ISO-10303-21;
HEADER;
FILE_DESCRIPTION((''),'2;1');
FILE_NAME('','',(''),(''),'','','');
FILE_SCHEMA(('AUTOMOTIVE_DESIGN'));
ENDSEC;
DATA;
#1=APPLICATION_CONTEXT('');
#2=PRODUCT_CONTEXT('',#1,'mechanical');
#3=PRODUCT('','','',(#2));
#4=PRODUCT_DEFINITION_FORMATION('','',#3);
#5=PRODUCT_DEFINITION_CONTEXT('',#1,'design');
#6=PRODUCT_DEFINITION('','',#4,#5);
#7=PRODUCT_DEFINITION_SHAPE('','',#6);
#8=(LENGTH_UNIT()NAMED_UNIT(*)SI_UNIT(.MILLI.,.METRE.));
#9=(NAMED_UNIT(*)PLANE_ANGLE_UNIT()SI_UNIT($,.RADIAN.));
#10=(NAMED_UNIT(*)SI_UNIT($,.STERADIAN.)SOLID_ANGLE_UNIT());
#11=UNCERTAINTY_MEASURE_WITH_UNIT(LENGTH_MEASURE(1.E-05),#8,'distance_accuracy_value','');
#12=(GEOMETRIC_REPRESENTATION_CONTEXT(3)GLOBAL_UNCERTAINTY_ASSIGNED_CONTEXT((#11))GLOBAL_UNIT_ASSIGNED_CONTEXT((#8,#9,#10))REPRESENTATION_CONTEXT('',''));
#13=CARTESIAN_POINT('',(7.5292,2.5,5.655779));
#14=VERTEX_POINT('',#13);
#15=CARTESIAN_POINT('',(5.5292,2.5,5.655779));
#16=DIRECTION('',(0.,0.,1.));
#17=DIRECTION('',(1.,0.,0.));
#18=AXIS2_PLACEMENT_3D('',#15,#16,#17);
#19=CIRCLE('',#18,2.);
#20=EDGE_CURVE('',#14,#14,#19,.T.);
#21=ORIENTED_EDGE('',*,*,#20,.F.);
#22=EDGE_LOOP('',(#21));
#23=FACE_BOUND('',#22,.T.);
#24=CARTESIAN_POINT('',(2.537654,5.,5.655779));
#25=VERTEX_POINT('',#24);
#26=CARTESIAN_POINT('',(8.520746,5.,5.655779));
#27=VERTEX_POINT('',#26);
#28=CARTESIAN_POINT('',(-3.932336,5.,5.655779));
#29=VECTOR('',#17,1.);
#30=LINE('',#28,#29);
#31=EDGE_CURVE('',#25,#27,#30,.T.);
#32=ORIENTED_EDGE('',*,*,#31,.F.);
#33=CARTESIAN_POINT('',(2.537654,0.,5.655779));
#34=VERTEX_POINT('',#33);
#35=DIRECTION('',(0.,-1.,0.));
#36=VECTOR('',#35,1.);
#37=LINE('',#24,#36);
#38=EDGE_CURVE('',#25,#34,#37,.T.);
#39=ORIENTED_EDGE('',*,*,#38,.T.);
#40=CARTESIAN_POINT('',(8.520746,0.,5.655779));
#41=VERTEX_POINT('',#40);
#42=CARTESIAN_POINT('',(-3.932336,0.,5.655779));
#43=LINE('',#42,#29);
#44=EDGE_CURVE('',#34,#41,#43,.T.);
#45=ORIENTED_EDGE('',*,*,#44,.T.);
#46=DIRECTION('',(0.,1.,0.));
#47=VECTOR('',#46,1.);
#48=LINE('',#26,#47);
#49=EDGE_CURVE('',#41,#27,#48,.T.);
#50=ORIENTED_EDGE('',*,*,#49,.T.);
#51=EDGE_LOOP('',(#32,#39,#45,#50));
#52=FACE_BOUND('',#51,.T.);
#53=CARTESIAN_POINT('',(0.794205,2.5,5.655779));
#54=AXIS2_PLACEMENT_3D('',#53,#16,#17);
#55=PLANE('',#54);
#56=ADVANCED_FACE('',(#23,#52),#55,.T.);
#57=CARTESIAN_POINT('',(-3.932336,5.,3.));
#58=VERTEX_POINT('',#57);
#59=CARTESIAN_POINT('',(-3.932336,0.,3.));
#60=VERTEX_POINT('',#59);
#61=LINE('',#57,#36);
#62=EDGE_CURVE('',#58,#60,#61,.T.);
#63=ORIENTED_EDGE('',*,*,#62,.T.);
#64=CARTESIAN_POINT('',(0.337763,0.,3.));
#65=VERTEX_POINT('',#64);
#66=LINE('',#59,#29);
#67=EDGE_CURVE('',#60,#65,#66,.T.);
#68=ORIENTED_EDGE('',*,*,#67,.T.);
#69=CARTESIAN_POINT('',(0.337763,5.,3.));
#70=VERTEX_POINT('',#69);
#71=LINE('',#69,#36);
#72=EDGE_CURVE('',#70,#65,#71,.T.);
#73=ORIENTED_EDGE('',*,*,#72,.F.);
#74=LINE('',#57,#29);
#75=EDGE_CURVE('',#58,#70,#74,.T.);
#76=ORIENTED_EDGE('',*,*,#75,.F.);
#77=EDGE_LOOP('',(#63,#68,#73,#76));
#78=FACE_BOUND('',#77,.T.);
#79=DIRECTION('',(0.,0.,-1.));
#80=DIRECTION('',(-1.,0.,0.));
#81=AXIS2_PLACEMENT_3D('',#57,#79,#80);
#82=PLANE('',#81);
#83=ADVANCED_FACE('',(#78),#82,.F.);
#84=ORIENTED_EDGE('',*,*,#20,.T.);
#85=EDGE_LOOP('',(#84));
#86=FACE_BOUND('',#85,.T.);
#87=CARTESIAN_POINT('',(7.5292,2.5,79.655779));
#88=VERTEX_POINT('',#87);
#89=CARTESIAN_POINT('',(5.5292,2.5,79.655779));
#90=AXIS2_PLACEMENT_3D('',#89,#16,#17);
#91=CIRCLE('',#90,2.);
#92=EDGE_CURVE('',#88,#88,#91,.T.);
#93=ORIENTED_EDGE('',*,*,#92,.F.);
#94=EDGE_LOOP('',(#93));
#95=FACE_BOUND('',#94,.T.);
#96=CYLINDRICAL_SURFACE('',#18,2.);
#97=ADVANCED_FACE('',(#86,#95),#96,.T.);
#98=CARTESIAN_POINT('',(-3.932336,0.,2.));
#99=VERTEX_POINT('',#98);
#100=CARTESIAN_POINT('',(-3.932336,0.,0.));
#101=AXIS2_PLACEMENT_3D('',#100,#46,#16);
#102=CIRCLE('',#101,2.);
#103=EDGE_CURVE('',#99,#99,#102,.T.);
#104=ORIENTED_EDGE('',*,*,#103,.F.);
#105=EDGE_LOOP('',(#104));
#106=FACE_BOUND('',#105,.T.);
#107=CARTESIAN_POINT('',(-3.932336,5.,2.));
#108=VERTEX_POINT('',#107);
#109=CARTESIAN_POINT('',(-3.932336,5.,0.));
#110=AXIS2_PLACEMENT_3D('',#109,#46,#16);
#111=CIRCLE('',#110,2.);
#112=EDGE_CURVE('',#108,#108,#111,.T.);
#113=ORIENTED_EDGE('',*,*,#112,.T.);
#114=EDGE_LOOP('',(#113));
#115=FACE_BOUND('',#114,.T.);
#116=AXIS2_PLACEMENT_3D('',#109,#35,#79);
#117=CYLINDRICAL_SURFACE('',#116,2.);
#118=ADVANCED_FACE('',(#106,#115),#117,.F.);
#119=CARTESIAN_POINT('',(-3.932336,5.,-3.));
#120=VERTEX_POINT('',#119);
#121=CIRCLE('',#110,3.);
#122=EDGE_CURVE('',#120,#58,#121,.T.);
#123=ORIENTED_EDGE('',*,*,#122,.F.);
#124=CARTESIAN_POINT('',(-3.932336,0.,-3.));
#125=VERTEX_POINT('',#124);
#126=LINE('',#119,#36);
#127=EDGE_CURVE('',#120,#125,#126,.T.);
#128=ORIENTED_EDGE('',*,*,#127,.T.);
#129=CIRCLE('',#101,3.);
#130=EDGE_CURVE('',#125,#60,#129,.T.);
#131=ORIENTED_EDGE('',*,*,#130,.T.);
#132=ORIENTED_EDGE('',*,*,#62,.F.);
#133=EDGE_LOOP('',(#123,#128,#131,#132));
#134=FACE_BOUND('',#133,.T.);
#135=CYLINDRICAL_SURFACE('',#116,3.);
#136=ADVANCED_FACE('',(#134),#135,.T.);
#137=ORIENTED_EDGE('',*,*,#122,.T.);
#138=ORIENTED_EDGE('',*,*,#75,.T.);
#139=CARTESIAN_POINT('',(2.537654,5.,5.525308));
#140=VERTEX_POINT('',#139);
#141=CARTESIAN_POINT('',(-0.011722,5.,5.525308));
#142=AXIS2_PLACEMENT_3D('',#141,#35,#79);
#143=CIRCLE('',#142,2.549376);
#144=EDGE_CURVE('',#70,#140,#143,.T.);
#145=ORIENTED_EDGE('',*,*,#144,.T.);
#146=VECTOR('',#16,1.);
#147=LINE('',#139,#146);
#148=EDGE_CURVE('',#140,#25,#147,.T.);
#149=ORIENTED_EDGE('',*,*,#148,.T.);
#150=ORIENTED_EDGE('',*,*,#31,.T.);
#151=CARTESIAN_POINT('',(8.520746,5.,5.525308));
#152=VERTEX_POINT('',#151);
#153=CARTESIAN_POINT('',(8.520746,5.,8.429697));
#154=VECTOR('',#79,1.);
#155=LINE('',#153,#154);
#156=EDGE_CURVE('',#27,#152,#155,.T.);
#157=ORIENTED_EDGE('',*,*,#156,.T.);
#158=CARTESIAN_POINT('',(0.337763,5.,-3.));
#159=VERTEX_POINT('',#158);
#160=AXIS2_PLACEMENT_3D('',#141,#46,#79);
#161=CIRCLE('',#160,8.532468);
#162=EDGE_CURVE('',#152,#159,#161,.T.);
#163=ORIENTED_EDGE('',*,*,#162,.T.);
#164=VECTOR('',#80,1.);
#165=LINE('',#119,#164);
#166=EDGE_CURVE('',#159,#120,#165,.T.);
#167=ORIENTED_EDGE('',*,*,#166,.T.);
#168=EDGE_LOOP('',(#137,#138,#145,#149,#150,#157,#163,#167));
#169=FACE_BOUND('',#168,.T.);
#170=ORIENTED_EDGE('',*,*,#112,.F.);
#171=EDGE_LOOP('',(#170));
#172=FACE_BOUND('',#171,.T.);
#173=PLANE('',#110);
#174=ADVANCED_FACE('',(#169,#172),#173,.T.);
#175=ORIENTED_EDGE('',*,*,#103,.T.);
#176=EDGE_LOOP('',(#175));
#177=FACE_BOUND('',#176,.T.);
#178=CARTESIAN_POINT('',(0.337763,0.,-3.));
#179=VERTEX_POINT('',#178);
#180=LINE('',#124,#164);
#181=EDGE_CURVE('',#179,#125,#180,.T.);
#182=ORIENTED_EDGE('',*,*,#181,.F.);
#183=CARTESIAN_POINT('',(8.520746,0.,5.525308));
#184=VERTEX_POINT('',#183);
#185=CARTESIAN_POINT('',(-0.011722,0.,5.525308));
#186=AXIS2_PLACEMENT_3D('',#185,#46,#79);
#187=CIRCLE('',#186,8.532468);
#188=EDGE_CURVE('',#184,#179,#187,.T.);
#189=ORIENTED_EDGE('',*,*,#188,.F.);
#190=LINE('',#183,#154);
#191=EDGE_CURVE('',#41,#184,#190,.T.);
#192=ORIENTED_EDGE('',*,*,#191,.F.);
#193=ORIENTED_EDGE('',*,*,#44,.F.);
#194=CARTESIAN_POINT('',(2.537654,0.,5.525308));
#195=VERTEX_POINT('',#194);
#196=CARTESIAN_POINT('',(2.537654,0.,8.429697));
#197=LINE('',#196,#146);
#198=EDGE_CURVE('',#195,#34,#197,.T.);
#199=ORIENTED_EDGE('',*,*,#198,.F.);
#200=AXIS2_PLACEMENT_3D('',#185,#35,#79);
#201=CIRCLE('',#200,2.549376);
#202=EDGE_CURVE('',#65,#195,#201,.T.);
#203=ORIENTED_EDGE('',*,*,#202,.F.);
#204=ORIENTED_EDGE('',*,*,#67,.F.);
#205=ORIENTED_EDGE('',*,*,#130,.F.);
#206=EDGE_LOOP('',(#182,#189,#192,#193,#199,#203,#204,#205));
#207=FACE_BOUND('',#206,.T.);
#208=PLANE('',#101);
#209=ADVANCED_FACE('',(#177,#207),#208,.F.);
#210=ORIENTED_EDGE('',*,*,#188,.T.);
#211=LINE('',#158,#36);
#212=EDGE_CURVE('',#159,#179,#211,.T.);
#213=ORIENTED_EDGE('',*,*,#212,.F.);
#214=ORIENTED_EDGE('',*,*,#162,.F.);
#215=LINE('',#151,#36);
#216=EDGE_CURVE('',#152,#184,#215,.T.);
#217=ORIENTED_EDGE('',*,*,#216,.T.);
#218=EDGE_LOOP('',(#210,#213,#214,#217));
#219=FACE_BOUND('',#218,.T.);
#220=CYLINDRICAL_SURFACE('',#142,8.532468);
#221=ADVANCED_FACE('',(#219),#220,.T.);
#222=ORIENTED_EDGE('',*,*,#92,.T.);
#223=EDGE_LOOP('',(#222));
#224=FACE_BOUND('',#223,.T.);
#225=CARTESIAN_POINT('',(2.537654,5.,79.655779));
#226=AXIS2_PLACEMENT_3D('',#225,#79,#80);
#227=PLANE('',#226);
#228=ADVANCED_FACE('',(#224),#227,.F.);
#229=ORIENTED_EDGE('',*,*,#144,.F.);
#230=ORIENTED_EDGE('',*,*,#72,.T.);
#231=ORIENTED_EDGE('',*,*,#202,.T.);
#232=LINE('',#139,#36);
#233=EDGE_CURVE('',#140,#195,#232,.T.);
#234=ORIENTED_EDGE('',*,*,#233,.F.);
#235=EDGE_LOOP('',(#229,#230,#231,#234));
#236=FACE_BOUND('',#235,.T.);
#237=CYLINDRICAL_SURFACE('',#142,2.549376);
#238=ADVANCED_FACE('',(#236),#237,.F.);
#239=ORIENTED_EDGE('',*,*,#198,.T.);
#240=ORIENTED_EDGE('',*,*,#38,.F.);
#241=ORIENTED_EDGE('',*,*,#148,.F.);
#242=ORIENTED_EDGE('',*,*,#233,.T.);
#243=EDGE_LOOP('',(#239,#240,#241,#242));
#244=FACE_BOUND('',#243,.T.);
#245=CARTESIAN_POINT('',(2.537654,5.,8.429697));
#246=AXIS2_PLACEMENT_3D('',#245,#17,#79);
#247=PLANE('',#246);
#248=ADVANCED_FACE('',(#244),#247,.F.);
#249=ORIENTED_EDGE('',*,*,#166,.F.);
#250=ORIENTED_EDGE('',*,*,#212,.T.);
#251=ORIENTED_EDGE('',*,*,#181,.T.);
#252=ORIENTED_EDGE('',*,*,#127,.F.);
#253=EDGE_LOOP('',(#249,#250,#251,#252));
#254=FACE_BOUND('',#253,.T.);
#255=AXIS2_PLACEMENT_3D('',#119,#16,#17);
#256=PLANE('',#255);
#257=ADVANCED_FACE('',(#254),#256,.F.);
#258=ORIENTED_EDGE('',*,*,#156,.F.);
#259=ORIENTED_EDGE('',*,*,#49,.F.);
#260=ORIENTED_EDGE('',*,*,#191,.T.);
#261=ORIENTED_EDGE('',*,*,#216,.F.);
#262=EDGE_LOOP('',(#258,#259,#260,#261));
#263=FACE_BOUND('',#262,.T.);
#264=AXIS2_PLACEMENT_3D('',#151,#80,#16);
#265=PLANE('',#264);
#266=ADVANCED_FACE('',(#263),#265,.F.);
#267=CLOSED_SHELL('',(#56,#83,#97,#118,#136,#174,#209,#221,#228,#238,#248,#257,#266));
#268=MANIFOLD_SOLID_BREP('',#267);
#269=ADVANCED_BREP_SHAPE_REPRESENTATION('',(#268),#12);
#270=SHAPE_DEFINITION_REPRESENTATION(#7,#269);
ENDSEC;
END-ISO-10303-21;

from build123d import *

# Parameters (mm, degrees)
SKETCH_2_R          = 2
EXTRUDE_2_DEPTH     = 5
EXTRUDE_3_DEPTH     = 5
SKETCH_4_OUTSIDE_W  = 34.301
SKETCH_4_OUTSIDE_H  = 23.848
SKETCH_4_OUTSIDE_R  = 2
CUT_EXTRUDE_1_DEPTH = 74


with BuildPart() as part:
    # 草图2 → 凸台-拉伸2 (new body)
    with BuildSketch(Plane(origin=(0, 0, 0), x_dir=(1, 0, 0), z_dir=(0, 1, 0))):
        with BuildLine():
            Line((-3.932336285, 3), (0.337762879, 3))
            Line((0.337762879, 3), (0.337762879, -3))
            Line((0.337762879, -3), (-3.932336285, -3))
            ThreePointArc((-3.932336285, -3), (-6.932336285, 0), (-3.932336285, 3))
        make_face()
        with Locations(Location((-3.932336285, 0, 0), (0, 0, 270))):
            Circle(SKETCH_2_R, mode=Mode.SUBTRACT)
    extrude(amount=EXTRUDE_2_DEPTH)

    # 草图3 → 凸台-拉伸3 (add)
    with BuildSketch(Plane(origin=(0, 0, 0), x_dir=(1, 0, 0), z_dir=(0, 1, 0))):
        with BuildLine():
            Line((2.537654461, -79.655778605), (8.520746385, -79.655778605))
            Line((8.520746385, -79.655778605), (8.520746385, -8.429696767))
            Line((8.520746385, -8.429696767), (8.520746385, -5.525308021))
            ThreePointArc((8.520746385, -5.525308021), (6.143965834, 0.383204819), (0.337762879, 3))
            Line((0.337762879, 3), (0.337762879, -3))
            ThreePointArc((0.337762879, -3), (1.910553846, -3.850740646), (2.537654461, -5.525308021))
            Line((2.537654461, -5.525308021), (2.537654461, -8.429696767))
            Line((2.537654461, -8.429696767), (2.537654461, -79.655778605))
        make_face()
    extrude(amount=EXTRUDE_3_DEPTH)

    # 草图4 outside → 切除-拉伸1 (cut)
    with BuildSketch(Plane.XY.offset(79.655778605)):
        with Locations((0.7945, 2.5)):
            Rectangle(SKETCH_4_OUTSIDE_W, SKETCH_4_OUTSIDE_H)
        with Locations((5.529200423, 2.5)):
            Circle(SKETCH_4_OUTSIDE_R, mode=Mode.SUBTRACT)
    extrude(amount=-CUT_EXTRUDE_1_DEPTH, mode=Mode.SUBTRACT)


solid = part.part
